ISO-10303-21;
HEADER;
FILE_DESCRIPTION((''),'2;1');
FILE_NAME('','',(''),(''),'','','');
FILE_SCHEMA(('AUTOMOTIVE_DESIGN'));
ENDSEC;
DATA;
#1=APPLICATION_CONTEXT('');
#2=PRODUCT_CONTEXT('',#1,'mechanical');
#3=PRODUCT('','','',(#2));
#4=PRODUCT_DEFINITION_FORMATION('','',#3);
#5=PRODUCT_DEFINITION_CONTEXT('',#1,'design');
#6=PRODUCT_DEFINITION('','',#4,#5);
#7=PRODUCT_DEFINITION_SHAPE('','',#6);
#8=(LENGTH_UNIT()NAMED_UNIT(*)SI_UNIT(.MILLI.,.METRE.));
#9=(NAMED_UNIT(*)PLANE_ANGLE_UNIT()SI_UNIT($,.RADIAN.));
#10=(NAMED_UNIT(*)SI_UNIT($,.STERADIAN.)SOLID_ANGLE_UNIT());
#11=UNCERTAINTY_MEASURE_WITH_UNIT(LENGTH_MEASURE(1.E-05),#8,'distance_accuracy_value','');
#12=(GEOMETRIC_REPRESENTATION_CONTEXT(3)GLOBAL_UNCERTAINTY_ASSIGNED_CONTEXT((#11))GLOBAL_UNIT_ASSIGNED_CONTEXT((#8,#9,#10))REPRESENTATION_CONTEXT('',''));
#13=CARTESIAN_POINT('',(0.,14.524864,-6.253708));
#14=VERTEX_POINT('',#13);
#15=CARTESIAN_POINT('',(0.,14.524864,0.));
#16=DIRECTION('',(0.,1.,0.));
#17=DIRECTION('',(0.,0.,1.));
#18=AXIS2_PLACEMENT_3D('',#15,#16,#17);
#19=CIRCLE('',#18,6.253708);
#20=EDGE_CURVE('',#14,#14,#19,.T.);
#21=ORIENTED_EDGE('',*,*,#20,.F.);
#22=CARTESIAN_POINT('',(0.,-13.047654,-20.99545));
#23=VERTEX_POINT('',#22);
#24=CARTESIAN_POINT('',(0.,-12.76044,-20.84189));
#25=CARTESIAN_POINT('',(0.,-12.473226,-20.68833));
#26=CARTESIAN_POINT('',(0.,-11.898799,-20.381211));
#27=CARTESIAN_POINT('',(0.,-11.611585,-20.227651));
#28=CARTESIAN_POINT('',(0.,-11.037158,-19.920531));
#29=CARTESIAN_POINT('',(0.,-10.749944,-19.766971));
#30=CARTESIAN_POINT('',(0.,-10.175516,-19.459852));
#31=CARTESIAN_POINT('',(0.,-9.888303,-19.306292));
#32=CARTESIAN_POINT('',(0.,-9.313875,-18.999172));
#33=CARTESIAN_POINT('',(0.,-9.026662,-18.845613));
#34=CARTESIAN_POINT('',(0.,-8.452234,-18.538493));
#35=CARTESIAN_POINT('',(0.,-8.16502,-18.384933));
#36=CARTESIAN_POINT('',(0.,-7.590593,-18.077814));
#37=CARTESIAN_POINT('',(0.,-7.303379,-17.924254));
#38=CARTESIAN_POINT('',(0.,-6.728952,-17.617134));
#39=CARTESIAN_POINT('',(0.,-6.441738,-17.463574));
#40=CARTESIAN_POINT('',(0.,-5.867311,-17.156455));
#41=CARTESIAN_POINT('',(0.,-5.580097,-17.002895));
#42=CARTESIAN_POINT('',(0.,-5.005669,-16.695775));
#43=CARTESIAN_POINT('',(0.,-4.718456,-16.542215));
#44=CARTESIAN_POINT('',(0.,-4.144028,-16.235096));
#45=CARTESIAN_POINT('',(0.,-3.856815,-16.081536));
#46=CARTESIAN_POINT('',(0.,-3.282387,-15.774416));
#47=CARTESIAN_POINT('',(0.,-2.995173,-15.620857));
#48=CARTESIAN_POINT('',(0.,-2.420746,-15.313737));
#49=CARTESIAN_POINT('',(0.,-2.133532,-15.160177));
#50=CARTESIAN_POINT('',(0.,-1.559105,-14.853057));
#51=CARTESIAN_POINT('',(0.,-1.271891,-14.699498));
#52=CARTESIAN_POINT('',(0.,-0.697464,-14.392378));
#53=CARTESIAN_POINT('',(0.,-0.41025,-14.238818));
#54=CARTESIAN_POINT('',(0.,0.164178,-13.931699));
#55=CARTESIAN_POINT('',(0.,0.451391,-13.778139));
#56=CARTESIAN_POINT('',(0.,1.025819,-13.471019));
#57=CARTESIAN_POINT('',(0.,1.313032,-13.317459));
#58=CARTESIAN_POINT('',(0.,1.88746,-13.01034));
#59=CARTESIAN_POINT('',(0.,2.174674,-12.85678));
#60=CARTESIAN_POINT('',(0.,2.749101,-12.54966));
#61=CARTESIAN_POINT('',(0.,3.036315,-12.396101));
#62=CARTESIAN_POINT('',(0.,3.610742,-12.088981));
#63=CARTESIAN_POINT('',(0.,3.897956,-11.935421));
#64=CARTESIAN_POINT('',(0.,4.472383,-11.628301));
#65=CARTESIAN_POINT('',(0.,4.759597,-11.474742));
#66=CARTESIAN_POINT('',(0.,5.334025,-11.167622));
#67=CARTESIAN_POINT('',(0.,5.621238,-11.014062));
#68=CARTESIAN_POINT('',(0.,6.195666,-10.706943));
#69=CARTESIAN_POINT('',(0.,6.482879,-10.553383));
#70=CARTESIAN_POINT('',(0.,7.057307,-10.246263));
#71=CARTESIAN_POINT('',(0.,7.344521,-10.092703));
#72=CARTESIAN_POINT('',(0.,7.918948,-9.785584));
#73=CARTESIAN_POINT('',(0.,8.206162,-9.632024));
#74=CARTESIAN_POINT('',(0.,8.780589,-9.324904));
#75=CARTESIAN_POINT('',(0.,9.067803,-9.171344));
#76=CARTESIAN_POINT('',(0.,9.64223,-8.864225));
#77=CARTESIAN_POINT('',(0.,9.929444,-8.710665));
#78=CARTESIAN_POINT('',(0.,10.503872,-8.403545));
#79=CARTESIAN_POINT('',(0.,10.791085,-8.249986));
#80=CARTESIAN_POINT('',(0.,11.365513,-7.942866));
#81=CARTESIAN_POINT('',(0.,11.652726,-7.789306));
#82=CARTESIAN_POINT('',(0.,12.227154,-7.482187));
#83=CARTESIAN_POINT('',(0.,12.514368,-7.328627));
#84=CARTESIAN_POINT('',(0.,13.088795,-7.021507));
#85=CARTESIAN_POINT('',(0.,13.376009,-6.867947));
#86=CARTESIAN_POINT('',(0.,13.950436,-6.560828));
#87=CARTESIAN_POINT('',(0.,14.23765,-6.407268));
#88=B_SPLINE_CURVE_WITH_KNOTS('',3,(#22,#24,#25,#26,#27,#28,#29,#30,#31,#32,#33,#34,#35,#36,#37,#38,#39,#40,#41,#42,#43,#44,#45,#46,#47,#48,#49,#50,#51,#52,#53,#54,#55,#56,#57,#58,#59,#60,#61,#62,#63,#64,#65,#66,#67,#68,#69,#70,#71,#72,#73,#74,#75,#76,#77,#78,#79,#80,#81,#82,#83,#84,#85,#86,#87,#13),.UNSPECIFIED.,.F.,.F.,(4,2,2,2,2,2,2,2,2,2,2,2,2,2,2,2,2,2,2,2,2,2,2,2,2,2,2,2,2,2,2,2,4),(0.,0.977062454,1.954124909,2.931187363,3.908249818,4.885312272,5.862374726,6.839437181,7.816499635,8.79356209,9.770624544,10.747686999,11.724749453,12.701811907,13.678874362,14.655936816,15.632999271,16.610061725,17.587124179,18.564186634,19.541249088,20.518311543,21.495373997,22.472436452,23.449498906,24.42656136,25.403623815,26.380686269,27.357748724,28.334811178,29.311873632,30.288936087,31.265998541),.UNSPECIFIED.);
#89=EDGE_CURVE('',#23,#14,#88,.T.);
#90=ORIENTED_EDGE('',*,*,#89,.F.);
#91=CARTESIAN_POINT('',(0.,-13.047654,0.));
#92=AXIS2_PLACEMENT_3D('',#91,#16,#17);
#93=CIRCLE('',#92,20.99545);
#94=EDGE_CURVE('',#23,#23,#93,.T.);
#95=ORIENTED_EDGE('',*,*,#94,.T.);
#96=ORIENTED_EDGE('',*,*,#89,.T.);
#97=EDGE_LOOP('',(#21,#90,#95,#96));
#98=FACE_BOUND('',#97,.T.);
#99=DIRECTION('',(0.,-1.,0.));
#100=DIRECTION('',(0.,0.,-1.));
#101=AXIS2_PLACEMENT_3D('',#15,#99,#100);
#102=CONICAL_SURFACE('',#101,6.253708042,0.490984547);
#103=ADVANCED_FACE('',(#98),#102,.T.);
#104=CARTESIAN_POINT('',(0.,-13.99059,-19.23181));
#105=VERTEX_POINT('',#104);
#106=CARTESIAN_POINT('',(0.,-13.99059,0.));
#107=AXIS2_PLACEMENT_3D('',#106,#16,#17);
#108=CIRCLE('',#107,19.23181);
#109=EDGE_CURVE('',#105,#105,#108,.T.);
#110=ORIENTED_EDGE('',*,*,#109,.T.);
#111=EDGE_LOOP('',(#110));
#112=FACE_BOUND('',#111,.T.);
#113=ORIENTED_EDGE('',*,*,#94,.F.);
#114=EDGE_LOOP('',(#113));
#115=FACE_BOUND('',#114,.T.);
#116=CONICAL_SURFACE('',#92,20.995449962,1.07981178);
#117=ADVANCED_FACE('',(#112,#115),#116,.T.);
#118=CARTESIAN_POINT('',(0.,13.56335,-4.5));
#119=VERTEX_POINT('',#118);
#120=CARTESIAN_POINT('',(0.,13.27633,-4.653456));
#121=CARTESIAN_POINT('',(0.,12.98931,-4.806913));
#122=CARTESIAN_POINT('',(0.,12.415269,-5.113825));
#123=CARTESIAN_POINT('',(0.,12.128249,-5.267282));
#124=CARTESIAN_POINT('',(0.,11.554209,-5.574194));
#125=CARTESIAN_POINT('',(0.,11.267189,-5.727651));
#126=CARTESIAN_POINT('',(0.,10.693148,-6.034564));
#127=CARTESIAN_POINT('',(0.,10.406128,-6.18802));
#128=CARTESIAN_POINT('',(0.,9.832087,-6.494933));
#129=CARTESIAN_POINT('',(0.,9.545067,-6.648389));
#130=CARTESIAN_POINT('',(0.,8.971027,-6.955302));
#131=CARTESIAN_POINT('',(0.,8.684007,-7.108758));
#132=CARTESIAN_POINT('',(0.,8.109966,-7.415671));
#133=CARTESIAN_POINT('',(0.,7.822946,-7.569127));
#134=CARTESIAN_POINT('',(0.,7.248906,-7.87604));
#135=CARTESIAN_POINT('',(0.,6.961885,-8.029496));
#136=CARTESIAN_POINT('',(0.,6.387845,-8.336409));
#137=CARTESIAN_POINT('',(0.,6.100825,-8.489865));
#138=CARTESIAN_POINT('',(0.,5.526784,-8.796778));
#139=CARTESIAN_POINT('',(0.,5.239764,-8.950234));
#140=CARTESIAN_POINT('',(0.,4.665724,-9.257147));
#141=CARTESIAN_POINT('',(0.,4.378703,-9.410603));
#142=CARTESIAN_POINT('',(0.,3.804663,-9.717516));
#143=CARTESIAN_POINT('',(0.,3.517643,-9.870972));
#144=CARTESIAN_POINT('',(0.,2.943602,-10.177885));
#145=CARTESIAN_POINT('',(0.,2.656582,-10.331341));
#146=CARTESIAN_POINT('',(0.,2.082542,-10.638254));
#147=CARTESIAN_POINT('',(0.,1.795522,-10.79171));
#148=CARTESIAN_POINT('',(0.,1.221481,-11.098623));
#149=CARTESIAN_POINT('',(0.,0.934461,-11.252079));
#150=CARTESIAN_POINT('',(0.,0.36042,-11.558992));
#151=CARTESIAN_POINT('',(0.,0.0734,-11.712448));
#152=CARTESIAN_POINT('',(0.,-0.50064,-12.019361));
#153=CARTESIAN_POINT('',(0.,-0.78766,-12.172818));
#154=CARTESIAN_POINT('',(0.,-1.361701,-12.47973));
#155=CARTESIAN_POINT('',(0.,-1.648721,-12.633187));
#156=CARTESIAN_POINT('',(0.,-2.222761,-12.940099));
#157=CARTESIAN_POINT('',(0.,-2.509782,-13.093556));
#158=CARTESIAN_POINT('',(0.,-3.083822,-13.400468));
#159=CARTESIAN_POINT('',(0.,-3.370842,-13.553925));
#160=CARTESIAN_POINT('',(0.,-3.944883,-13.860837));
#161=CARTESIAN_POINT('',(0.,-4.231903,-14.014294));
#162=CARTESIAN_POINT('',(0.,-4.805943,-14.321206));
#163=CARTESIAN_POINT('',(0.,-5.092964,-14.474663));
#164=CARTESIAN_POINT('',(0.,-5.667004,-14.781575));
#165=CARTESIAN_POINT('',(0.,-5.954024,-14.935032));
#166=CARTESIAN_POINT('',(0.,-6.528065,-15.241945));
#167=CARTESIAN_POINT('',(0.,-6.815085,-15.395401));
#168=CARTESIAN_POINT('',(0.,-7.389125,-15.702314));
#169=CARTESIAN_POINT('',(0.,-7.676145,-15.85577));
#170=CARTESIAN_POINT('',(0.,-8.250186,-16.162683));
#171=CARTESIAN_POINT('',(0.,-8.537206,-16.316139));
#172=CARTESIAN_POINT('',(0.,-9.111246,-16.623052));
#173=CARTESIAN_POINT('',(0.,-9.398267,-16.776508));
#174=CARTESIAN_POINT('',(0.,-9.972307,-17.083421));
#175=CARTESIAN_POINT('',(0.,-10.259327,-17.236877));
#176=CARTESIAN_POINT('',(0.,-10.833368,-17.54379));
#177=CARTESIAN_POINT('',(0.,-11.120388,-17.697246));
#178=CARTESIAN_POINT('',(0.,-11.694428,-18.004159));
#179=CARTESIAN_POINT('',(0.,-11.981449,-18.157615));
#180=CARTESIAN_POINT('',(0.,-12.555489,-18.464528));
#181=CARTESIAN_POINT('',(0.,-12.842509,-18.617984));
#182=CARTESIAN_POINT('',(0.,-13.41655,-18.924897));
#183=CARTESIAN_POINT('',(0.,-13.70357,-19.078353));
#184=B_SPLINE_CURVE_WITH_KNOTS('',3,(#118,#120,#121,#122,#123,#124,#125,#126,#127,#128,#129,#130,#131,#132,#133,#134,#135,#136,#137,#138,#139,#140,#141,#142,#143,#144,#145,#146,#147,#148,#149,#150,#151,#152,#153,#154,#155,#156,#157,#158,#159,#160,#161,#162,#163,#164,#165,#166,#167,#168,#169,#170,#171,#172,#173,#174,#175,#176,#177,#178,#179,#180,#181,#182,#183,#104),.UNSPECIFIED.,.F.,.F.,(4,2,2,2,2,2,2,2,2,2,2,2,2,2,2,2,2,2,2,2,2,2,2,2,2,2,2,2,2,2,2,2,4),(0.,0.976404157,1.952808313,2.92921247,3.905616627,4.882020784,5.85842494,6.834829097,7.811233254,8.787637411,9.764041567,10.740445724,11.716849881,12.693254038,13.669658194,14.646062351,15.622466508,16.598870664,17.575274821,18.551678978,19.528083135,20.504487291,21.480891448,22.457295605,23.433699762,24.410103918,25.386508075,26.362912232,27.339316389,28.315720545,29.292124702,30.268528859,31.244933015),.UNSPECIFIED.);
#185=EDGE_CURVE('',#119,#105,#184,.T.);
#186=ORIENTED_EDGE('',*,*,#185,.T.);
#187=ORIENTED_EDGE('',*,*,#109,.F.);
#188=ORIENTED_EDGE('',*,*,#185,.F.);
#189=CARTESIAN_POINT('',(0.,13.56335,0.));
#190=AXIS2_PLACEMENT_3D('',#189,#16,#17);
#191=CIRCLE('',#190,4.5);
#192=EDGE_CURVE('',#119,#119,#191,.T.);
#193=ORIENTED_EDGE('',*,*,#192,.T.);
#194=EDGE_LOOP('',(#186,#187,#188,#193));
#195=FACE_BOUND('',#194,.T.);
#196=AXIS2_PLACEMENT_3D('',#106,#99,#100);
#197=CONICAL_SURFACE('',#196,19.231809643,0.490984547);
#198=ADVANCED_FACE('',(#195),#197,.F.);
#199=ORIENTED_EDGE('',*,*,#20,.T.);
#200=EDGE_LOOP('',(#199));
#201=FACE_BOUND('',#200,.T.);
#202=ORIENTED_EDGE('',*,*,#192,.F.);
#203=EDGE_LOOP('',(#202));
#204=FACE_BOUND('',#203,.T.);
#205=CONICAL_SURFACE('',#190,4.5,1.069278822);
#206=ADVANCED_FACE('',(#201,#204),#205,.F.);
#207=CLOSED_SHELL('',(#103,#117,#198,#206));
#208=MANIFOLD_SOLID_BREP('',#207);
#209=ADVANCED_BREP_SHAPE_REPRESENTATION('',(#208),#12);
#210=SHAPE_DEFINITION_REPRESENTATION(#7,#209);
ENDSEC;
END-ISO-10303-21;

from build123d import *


with BuildPart() as part:
    # Esquisse1 → Révolution1 (revolve)
    with BuildSketch(Plane.XY, mode=Mode.PRIVATE) as r_volution1_sk:
        Polygon((-4.5, 13.563350189), (-19.231809643, -13.99059007), (-20.995449962, -13.047653662), (-6.253708042, 14.524863633), align=None)
    revolve(r_volution1_sk.sketch.rotate(Axis((0, 15.471761271, 0), (0, -1, 0)), 90), axis=Axis((0, 15.471761271, 0), (0, -1, 0)))


solid = part.part
